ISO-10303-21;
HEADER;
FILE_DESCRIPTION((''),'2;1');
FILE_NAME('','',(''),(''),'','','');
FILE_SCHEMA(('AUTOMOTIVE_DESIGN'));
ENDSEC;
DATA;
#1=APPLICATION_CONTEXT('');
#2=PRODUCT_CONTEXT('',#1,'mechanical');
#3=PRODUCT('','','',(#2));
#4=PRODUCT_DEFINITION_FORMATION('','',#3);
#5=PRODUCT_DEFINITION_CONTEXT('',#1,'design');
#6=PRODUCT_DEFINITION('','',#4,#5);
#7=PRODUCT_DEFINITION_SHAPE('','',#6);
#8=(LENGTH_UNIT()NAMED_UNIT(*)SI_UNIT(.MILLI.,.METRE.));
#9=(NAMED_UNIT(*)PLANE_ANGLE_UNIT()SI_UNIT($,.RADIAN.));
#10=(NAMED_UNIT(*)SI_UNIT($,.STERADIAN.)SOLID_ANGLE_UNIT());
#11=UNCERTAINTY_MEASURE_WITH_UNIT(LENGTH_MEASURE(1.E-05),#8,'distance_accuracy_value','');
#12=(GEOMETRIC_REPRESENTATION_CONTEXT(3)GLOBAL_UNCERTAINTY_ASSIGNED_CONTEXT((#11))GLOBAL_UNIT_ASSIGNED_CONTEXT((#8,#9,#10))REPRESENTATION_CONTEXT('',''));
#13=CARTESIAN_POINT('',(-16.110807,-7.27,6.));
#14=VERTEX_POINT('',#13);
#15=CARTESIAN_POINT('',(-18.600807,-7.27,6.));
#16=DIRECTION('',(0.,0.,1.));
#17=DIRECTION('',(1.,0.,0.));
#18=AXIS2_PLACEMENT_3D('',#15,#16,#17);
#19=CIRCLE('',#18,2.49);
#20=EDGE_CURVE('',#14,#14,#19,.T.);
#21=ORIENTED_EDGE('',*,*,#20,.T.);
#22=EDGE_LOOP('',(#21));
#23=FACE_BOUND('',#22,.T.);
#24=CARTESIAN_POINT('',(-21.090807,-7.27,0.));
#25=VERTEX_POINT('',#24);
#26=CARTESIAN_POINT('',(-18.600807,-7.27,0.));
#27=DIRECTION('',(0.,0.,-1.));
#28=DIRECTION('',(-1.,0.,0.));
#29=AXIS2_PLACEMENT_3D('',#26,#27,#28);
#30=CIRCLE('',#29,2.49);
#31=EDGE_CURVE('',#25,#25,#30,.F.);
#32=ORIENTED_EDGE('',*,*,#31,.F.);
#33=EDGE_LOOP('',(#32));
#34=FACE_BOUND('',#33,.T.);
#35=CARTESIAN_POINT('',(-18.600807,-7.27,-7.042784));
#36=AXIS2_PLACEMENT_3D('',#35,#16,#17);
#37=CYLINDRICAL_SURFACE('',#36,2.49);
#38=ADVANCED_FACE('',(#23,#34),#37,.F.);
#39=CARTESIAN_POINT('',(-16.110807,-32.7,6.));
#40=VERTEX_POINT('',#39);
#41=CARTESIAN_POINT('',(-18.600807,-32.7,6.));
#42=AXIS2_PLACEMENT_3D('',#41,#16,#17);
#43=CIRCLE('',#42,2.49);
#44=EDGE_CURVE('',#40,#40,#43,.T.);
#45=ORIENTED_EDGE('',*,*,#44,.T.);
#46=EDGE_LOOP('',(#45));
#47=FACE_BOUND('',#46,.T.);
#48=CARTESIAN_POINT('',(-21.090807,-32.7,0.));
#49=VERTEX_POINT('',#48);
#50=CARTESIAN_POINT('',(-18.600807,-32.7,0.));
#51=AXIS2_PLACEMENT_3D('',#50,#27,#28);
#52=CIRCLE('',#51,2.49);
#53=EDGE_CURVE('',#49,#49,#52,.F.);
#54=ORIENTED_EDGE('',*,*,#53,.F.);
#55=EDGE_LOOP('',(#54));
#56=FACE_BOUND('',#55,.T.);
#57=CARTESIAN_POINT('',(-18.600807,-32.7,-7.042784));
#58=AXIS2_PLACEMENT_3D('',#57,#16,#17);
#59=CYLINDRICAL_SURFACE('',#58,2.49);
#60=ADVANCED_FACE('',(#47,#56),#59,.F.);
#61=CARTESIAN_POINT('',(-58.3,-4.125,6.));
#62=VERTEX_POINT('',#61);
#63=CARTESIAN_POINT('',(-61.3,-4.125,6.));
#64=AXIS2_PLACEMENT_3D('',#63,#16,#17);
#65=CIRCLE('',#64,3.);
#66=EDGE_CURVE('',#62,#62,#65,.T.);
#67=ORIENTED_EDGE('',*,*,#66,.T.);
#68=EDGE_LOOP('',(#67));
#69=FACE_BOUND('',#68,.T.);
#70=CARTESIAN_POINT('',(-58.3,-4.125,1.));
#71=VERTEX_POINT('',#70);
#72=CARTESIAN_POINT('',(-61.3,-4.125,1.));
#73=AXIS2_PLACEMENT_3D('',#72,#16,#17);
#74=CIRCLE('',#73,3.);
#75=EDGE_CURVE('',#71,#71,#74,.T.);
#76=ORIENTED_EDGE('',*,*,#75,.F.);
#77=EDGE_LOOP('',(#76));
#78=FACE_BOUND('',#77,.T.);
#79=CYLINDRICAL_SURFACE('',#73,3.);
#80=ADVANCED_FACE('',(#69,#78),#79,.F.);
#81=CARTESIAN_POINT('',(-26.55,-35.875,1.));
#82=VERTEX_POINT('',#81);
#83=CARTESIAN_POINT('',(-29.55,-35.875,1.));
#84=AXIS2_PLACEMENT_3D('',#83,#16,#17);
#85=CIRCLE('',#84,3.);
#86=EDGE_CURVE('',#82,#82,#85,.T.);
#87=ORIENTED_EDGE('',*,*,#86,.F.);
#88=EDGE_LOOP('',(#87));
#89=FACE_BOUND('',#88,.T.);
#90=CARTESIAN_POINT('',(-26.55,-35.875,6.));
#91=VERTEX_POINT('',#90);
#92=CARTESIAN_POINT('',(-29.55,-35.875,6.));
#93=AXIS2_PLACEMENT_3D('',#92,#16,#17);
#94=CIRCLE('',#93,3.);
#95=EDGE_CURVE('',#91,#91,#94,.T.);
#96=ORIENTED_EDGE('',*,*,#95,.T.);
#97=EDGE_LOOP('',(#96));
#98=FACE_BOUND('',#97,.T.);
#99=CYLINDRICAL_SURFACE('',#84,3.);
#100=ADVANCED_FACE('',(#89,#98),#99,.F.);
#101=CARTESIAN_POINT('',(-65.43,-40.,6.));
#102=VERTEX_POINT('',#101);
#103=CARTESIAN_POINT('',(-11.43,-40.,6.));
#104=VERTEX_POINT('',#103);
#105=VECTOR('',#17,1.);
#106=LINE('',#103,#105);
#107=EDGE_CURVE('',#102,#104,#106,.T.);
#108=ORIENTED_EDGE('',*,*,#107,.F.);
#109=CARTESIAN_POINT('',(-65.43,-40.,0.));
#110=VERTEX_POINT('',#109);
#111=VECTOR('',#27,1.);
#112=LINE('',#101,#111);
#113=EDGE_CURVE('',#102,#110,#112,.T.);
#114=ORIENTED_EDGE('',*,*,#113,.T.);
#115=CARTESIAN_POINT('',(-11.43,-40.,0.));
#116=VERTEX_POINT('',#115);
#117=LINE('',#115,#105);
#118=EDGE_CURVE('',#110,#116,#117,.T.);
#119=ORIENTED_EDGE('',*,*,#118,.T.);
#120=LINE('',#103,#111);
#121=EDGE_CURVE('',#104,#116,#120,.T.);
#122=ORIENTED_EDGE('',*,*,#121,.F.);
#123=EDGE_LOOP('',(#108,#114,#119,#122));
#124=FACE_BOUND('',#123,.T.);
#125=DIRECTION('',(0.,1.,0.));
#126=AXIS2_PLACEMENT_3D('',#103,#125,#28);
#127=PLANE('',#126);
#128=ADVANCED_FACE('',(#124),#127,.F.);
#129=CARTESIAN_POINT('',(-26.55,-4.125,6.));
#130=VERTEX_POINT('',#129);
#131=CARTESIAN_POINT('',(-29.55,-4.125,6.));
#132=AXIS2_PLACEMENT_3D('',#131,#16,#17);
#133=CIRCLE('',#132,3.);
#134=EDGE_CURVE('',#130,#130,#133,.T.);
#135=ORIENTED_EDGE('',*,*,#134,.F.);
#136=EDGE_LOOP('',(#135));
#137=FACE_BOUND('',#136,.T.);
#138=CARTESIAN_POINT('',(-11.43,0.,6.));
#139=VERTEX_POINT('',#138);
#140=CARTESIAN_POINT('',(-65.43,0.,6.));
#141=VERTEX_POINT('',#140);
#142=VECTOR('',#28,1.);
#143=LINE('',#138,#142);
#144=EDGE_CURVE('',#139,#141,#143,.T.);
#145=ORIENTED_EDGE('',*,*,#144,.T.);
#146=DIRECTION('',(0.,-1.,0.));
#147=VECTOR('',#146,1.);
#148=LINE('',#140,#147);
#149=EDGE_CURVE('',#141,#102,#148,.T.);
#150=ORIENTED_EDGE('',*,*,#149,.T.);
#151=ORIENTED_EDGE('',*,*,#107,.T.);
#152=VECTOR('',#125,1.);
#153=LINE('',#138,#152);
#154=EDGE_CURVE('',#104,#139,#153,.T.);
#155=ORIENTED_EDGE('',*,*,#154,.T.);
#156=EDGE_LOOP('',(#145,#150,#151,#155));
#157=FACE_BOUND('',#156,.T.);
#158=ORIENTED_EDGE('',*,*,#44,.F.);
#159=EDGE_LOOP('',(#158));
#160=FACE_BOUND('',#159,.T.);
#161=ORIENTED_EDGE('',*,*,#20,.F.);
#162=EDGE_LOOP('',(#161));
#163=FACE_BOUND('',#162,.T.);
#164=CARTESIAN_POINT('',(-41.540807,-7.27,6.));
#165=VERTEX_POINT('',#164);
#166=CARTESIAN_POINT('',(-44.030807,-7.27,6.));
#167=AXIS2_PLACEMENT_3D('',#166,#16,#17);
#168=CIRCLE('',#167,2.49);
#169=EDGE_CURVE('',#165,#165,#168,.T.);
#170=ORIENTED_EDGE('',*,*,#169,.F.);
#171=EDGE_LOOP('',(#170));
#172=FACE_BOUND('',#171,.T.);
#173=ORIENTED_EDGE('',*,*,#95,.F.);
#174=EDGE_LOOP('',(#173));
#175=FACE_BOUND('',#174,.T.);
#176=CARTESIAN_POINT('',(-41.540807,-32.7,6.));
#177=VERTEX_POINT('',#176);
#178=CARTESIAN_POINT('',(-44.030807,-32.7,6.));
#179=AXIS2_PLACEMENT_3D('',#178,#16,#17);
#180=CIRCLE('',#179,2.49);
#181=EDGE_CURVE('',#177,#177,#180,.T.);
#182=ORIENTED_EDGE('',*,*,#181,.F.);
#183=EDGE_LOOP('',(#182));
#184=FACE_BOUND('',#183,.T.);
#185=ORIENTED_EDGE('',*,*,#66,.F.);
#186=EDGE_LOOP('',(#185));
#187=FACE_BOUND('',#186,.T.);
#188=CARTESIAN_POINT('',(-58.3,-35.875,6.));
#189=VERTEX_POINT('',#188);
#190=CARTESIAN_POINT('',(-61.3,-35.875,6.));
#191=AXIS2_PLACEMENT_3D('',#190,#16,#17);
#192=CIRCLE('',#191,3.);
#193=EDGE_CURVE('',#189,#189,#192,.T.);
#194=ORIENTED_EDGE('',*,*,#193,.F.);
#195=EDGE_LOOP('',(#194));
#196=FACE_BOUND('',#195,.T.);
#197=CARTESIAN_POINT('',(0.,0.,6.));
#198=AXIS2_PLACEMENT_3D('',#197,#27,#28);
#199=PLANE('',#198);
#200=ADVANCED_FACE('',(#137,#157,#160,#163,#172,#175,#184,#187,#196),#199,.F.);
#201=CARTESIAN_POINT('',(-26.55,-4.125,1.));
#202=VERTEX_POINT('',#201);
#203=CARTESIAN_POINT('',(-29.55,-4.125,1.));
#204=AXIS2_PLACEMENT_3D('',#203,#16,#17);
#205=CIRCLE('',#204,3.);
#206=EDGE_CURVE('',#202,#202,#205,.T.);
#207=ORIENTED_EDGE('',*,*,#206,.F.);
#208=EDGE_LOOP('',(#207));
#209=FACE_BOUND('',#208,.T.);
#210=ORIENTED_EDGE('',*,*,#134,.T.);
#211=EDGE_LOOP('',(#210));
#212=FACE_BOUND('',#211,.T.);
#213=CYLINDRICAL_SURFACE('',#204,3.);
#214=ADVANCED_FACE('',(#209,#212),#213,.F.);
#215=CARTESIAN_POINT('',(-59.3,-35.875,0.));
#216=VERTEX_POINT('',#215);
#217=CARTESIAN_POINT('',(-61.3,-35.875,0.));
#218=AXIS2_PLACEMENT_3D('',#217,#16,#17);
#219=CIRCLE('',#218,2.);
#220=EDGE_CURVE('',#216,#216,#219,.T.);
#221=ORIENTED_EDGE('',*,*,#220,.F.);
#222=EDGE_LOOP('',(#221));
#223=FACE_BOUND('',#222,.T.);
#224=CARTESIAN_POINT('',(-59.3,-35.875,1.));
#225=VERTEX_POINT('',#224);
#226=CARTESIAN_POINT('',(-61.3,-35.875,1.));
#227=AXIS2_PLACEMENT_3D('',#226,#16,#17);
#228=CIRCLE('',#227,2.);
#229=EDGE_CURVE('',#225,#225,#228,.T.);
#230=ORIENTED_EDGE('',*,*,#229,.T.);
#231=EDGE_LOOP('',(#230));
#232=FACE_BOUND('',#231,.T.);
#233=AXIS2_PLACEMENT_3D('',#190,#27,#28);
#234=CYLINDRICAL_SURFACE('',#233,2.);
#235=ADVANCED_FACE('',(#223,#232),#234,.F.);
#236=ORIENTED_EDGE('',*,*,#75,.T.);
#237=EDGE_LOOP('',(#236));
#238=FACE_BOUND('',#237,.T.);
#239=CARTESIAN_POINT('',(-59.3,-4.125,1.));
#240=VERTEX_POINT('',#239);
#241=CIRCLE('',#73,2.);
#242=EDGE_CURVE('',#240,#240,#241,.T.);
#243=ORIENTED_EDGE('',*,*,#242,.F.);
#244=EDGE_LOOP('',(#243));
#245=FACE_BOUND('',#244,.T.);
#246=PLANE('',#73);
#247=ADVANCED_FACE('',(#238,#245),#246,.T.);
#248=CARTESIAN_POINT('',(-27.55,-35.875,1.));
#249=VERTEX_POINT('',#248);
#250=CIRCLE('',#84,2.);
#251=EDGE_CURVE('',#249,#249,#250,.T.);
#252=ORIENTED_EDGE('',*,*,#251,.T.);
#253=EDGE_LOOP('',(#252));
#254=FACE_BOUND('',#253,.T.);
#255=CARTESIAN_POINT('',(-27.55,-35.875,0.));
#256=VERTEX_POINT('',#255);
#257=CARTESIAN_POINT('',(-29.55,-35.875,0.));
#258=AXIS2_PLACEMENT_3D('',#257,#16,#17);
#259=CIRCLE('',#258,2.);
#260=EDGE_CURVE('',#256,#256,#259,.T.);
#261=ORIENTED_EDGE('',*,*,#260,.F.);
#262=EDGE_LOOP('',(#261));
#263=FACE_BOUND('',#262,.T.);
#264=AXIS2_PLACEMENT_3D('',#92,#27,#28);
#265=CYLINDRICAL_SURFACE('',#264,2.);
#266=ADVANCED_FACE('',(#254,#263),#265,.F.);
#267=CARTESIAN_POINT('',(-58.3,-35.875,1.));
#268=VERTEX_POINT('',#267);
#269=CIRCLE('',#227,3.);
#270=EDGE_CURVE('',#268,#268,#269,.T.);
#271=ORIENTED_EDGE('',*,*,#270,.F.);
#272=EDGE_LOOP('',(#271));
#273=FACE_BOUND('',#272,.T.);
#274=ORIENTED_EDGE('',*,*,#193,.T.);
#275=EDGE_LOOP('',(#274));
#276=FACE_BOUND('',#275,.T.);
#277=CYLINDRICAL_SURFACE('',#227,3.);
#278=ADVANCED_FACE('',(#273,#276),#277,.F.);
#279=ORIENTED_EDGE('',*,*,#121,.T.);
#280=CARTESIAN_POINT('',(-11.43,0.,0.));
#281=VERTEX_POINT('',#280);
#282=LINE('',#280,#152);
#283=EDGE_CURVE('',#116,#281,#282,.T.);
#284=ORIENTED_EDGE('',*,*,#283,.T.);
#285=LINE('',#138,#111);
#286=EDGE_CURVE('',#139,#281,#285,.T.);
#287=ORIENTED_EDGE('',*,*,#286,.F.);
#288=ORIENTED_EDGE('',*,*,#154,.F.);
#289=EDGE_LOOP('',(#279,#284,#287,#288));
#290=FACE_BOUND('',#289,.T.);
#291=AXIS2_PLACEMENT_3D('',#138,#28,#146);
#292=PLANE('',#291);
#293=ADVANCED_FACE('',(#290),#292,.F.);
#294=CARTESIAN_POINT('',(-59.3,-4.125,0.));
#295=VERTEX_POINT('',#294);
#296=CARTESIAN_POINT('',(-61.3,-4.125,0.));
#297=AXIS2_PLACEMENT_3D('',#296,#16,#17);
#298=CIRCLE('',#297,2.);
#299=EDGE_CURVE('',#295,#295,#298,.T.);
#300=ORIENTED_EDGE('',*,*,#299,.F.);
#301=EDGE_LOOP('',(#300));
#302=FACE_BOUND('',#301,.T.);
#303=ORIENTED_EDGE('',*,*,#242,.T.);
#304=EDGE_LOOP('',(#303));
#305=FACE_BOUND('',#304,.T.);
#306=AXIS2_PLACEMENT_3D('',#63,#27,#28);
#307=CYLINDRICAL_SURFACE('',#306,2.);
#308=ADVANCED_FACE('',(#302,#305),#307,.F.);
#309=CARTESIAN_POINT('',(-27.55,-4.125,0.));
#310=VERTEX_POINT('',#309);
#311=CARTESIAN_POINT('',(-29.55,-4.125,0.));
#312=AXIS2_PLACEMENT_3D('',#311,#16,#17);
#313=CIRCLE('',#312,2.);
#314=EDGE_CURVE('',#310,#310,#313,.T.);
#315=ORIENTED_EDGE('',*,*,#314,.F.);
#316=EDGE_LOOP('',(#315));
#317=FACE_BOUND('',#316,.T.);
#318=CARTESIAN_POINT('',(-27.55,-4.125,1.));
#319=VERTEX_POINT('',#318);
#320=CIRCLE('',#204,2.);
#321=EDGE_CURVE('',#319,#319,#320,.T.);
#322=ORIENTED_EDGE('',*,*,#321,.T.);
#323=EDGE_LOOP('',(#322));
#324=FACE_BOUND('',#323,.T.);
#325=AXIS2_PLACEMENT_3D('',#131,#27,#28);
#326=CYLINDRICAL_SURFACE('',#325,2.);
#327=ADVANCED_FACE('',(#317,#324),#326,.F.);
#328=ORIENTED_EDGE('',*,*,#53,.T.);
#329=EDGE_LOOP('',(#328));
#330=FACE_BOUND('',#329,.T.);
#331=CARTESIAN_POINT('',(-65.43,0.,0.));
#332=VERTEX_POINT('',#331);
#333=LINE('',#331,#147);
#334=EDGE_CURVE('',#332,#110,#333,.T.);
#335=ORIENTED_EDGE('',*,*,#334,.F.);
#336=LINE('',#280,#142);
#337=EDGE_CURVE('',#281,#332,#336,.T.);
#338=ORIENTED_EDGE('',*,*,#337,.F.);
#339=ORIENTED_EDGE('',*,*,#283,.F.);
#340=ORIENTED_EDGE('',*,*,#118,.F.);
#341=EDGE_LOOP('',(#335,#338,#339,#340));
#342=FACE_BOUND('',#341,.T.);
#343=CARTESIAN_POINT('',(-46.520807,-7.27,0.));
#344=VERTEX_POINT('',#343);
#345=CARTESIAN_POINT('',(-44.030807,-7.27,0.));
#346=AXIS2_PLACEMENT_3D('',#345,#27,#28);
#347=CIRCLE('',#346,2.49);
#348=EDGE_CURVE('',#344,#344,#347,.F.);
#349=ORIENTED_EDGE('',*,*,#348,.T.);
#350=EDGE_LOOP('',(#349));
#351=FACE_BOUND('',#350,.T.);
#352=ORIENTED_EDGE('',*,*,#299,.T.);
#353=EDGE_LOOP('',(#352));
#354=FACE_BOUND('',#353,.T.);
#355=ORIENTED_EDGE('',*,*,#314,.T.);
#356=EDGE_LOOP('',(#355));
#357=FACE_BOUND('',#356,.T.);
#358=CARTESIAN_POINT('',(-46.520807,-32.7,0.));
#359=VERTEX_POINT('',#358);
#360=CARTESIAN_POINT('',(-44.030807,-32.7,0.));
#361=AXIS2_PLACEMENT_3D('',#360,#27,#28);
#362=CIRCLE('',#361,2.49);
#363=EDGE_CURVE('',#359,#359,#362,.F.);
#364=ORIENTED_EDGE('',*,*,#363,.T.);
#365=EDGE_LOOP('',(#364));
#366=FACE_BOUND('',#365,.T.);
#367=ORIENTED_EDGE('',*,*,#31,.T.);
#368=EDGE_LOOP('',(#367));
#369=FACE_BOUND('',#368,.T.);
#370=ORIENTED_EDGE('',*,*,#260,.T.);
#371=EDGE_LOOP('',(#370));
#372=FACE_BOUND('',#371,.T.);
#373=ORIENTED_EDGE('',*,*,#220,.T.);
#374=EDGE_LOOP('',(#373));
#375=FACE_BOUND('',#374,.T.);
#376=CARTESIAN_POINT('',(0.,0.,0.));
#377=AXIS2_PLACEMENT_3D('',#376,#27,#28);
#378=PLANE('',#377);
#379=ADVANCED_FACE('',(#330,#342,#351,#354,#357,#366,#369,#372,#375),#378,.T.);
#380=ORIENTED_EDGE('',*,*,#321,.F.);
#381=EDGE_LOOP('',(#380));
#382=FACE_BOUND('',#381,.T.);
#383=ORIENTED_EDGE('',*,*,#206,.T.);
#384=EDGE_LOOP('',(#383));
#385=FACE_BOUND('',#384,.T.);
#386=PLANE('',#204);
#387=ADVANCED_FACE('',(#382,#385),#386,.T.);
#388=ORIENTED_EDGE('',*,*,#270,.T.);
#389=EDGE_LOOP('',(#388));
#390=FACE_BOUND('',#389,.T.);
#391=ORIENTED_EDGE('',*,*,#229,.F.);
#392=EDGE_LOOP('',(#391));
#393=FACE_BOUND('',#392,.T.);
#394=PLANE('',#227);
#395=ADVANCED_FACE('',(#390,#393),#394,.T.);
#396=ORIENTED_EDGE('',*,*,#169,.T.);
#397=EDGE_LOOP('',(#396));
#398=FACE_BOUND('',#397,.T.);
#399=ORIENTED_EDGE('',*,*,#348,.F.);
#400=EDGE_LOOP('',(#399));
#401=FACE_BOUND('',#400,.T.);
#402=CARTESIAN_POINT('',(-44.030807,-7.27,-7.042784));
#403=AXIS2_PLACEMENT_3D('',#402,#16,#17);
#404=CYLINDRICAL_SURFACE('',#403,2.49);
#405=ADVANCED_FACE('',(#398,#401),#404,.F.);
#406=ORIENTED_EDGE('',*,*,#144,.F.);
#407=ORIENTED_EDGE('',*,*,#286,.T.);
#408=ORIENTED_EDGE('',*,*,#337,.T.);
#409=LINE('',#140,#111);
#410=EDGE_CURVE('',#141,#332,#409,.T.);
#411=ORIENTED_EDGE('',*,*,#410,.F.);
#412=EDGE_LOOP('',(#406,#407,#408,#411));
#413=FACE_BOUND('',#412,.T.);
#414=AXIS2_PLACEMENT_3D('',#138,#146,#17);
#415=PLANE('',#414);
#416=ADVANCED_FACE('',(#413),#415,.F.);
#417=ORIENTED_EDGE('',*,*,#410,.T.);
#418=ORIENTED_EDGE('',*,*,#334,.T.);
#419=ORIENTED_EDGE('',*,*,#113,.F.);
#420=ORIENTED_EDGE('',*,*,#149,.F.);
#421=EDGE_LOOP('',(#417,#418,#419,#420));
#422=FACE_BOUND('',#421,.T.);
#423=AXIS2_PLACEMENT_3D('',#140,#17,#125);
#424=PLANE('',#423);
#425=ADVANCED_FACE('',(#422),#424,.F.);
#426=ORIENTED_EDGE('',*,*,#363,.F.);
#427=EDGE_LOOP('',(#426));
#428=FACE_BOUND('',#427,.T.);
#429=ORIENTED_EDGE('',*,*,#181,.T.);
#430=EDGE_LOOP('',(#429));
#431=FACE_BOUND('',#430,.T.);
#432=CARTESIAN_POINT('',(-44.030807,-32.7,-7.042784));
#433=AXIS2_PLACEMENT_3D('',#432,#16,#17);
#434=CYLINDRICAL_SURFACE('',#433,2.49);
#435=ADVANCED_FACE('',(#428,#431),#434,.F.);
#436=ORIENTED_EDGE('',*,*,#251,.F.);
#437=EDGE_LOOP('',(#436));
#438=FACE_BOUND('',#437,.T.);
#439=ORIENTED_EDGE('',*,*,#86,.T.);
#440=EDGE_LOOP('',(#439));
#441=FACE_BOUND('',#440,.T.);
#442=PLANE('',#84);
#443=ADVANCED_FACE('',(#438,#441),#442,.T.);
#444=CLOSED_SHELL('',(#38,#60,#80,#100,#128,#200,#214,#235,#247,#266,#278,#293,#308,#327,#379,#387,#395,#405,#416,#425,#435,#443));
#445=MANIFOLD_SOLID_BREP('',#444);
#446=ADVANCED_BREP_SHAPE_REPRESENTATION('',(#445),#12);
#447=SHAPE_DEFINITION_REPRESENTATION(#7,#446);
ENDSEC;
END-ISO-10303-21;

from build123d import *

# Parameters (mm, degrees)
SKETCH1_W           = 54
SKETCH1_H           = 40
BOSS_EXTRUDE1_DEPTH = 6
SKETCH2_R           = 2
CUT_EXTRUDE2_DEPTH  = 7
SKETCH8_R           = 3
CUT_EXTRUDE6_DEPTH  = 5
SKETCH9_R           = 2.49
CUT_EXTRUDE7_DEPTH  = 6


with BuildPart() as part:
    # Sketch1 → Boss-Extrude1 (new body)
    with BuildSketch(Plane.XY):
        with Locations((-38.43, -20)):
            Rectangle(SKETCH1_W, SKETCH1_H)
    extrude(amount=BOSS_EXTRUDE1_DEPTH)

    # Sketch2 → Cut-Extrude2 (cut, through all)
    with BuildSketch(Plane.XY):
        with Locations((-61.3, -35.875)):
            Circle(SKETCH2_R)
        with Locations((-29.55, -35.875)):
            Circle(SKETCH2_R)
        with Locations((-29.55, -4.125)):
            Circle(SKETCH2_R)
        with Locations((-61.3, -4.125)):
            Circle(SKETCH2_R)
    extrude(amount=CUT_EXTRUDE2_DEPTH, mode=Mode.SUBTRACT)

    # Sketch8 → Cut-Extrude6 (cut)
    with BuildSketch(Plane.XY.offset(6)):
        with Locations((-61.3, -4.125)):
            Circle(SKETCH8_R)
        with Locations((-29.55, -4.125)):
            Circle(SKETCH8_R)
        with Locations((-29.55, -35.875)):
            Circle(SKETCH8_R)
        with Locations((-61.3, -35.875)):
            Circle(SKETCH8_R)
    extrude(amount=-CUT_EXTRUDE6_DEPTH, mode=Mode.SUBTRACT)

    # Sketch9 → Cut-Extrude7 (cut)
    with BuildSketch(Plane.XY.offset(6)):
        with Locations((-44.030806884, -7.27)):
            Circle(SKETCH9_R)
        with Locations((-18.600806884, -7.27)):
            Circle(SKETCH9_R)
        with Locations((-44.030806884, -32.7)):
            Circle(SKETCH9_R)
        with Locations((-18.600806884, -32.7)):
            Circle(SKETCH9_R)
    extrude(amount=-CUT_EXTRUDE7_DEPTH, mode=Mode.SUBTRACT)


solid = part.part
